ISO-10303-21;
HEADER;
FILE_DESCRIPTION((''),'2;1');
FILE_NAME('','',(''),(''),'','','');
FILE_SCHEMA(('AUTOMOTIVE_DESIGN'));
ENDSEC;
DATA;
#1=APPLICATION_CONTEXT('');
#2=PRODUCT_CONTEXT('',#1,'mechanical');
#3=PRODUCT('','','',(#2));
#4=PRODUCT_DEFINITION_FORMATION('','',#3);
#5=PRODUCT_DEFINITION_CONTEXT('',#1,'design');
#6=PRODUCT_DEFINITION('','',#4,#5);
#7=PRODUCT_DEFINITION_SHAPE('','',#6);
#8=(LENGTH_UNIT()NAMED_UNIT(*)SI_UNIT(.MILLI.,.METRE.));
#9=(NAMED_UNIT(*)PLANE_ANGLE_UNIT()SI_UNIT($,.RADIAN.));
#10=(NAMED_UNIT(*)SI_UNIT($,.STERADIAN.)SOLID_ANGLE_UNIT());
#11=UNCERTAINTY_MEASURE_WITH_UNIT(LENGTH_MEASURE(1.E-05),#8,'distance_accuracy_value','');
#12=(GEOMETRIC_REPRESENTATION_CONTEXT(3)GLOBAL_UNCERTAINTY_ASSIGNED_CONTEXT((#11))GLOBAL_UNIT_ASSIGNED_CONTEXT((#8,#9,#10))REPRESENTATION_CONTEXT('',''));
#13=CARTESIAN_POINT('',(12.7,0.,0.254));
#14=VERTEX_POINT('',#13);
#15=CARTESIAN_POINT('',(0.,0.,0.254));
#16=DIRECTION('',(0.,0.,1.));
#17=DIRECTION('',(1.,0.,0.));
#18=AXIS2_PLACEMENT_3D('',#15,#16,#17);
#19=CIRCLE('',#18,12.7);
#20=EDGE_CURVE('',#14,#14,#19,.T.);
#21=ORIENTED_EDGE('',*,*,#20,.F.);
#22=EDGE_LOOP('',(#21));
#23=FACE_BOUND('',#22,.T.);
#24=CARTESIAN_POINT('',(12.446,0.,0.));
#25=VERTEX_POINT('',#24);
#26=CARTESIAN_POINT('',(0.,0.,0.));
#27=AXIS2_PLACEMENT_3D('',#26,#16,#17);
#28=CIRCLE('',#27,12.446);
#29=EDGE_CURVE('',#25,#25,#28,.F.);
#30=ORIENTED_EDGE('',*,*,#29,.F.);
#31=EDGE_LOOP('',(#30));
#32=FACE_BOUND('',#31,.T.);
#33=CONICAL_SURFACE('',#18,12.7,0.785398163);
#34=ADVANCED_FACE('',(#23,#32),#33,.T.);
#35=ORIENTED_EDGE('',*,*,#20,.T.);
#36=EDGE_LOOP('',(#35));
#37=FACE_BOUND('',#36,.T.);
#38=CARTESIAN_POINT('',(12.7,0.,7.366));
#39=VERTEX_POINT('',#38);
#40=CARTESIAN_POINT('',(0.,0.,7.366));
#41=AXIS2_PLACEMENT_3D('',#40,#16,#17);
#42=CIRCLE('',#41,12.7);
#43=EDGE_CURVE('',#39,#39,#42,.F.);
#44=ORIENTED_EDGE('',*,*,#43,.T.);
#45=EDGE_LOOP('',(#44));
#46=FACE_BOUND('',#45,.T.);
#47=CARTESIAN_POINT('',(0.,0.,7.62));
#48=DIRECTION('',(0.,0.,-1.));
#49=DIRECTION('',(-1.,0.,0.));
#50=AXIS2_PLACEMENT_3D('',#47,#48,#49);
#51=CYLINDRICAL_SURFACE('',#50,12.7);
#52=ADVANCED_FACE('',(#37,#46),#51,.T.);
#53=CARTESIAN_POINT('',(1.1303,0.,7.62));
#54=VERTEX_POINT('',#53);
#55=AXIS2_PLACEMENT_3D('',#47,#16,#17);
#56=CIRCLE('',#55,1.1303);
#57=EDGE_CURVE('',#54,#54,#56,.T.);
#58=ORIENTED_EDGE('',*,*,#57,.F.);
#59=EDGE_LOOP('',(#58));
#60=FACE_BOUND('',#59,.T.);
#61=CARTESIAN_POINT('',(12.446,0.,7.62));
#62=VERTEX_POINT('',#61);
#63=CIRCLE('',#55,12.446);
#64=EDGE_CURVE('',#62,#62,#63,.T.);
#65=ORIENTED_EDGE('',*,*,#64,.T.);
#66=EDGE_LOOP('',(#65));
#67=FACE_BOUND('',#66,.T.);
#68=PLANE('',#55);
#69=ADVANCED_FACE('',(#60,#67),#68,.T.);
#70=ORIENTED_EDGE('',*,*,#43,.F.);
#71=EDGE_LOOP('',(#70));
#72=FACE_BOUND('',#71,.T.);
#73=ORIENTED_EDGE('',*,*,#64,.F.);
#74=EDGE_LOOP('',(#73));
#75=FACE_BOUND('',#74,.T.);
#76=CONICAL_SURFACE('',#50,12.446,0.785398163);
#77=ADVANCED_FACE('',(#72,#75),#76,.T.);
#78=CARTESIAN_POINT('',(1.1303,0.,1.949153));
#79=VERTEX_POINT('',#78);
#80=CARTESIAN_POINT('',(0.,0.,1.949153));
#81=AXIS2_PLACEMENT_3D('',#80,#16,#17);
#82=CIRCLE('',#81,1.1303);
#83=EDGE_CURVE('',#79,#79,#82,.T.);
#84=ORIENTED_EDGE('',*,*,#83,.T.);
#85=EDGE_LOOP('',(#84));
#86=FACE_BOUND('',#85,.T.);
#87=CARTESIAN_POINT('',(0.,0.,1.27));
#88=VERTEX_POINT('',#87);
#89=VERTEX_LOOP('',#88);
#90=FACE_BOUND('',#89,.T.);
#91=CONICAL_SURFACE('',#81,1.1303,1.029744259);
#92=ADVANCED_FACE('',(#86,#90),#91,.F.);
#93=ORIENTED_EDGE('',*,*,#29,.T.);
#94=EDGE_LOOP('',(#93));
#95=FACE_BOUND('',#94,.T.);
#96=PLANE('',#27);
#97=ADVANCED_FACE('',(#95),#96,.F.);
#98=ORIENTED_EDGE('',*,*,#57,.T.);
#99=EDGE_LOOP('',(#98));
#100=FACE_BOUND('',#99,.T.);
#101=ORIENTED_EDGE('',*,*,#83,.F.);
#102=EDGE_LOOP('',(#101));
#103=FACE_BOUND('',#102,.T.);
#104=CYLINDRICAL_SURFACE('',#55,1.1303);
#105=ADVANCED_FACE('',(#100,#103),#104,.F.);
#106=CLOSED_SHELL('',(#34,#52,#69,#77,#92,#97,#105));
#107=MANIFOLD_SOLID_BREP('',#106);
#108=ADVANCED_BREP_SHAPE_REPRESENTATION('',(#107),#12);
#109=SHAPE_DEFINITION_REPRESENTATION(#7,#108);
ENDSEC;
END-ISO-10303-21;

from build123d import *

# Parameters (mm, degrees)
SKETCH1_R                 = 12.7
BOSS_EXTRUDE1_DEPTH       = 7.62
F_4_40_TAPPED_HOLE1_D     = 2.2606
F_4_40_TAPPED_HOLE1_DEPTH = 5.670847242
F_4_40_TAPPED_HOLE1_TIP   = 0.679152758
CHAMFER1_SIZE             = 0.254


with BuildPart() as part:
    # Sketch1 → Boss-Extrude1 (new body)
    with BuildSketch(Plane.XY):
        Circle(SKETCH1_R)
    extrude(amount=BOSS_EXTRUDE1_DEPTH)

    # #4-40 Tapped Hole1
    with Locations(Plane.XY.offset(7.62)):
        with Locations((0, 0)):
            Hole(F_4_40_TAPPED_HOLE1_D / 2, depth=F_4_40_TAPPED_HOLE1_DEPTH)
            with Locations((0, 0, -(F_4_40_TAPPED_HOLE1_DEPTH + F_4_40_TAPPED_HOLE1_TIP / 2))):  # 118° drill point
                Cone(0, F_4_40_TAPPED_HOLE1_D / 2, F_4_40_TAPPED_HOLE1_TIP, mode=Mode.SUBTRACT)

    # Chamfer1
    chamfer1_edges = [part.edges().sort_by_distance(p)[0] for p in [
        (-12.7, 0, 0),
        (-12.7, 0, 7.62),
    ]]
    chamfer(chamfer1_edges, length=CHAMFER1_SIZE)


solid = part.part
